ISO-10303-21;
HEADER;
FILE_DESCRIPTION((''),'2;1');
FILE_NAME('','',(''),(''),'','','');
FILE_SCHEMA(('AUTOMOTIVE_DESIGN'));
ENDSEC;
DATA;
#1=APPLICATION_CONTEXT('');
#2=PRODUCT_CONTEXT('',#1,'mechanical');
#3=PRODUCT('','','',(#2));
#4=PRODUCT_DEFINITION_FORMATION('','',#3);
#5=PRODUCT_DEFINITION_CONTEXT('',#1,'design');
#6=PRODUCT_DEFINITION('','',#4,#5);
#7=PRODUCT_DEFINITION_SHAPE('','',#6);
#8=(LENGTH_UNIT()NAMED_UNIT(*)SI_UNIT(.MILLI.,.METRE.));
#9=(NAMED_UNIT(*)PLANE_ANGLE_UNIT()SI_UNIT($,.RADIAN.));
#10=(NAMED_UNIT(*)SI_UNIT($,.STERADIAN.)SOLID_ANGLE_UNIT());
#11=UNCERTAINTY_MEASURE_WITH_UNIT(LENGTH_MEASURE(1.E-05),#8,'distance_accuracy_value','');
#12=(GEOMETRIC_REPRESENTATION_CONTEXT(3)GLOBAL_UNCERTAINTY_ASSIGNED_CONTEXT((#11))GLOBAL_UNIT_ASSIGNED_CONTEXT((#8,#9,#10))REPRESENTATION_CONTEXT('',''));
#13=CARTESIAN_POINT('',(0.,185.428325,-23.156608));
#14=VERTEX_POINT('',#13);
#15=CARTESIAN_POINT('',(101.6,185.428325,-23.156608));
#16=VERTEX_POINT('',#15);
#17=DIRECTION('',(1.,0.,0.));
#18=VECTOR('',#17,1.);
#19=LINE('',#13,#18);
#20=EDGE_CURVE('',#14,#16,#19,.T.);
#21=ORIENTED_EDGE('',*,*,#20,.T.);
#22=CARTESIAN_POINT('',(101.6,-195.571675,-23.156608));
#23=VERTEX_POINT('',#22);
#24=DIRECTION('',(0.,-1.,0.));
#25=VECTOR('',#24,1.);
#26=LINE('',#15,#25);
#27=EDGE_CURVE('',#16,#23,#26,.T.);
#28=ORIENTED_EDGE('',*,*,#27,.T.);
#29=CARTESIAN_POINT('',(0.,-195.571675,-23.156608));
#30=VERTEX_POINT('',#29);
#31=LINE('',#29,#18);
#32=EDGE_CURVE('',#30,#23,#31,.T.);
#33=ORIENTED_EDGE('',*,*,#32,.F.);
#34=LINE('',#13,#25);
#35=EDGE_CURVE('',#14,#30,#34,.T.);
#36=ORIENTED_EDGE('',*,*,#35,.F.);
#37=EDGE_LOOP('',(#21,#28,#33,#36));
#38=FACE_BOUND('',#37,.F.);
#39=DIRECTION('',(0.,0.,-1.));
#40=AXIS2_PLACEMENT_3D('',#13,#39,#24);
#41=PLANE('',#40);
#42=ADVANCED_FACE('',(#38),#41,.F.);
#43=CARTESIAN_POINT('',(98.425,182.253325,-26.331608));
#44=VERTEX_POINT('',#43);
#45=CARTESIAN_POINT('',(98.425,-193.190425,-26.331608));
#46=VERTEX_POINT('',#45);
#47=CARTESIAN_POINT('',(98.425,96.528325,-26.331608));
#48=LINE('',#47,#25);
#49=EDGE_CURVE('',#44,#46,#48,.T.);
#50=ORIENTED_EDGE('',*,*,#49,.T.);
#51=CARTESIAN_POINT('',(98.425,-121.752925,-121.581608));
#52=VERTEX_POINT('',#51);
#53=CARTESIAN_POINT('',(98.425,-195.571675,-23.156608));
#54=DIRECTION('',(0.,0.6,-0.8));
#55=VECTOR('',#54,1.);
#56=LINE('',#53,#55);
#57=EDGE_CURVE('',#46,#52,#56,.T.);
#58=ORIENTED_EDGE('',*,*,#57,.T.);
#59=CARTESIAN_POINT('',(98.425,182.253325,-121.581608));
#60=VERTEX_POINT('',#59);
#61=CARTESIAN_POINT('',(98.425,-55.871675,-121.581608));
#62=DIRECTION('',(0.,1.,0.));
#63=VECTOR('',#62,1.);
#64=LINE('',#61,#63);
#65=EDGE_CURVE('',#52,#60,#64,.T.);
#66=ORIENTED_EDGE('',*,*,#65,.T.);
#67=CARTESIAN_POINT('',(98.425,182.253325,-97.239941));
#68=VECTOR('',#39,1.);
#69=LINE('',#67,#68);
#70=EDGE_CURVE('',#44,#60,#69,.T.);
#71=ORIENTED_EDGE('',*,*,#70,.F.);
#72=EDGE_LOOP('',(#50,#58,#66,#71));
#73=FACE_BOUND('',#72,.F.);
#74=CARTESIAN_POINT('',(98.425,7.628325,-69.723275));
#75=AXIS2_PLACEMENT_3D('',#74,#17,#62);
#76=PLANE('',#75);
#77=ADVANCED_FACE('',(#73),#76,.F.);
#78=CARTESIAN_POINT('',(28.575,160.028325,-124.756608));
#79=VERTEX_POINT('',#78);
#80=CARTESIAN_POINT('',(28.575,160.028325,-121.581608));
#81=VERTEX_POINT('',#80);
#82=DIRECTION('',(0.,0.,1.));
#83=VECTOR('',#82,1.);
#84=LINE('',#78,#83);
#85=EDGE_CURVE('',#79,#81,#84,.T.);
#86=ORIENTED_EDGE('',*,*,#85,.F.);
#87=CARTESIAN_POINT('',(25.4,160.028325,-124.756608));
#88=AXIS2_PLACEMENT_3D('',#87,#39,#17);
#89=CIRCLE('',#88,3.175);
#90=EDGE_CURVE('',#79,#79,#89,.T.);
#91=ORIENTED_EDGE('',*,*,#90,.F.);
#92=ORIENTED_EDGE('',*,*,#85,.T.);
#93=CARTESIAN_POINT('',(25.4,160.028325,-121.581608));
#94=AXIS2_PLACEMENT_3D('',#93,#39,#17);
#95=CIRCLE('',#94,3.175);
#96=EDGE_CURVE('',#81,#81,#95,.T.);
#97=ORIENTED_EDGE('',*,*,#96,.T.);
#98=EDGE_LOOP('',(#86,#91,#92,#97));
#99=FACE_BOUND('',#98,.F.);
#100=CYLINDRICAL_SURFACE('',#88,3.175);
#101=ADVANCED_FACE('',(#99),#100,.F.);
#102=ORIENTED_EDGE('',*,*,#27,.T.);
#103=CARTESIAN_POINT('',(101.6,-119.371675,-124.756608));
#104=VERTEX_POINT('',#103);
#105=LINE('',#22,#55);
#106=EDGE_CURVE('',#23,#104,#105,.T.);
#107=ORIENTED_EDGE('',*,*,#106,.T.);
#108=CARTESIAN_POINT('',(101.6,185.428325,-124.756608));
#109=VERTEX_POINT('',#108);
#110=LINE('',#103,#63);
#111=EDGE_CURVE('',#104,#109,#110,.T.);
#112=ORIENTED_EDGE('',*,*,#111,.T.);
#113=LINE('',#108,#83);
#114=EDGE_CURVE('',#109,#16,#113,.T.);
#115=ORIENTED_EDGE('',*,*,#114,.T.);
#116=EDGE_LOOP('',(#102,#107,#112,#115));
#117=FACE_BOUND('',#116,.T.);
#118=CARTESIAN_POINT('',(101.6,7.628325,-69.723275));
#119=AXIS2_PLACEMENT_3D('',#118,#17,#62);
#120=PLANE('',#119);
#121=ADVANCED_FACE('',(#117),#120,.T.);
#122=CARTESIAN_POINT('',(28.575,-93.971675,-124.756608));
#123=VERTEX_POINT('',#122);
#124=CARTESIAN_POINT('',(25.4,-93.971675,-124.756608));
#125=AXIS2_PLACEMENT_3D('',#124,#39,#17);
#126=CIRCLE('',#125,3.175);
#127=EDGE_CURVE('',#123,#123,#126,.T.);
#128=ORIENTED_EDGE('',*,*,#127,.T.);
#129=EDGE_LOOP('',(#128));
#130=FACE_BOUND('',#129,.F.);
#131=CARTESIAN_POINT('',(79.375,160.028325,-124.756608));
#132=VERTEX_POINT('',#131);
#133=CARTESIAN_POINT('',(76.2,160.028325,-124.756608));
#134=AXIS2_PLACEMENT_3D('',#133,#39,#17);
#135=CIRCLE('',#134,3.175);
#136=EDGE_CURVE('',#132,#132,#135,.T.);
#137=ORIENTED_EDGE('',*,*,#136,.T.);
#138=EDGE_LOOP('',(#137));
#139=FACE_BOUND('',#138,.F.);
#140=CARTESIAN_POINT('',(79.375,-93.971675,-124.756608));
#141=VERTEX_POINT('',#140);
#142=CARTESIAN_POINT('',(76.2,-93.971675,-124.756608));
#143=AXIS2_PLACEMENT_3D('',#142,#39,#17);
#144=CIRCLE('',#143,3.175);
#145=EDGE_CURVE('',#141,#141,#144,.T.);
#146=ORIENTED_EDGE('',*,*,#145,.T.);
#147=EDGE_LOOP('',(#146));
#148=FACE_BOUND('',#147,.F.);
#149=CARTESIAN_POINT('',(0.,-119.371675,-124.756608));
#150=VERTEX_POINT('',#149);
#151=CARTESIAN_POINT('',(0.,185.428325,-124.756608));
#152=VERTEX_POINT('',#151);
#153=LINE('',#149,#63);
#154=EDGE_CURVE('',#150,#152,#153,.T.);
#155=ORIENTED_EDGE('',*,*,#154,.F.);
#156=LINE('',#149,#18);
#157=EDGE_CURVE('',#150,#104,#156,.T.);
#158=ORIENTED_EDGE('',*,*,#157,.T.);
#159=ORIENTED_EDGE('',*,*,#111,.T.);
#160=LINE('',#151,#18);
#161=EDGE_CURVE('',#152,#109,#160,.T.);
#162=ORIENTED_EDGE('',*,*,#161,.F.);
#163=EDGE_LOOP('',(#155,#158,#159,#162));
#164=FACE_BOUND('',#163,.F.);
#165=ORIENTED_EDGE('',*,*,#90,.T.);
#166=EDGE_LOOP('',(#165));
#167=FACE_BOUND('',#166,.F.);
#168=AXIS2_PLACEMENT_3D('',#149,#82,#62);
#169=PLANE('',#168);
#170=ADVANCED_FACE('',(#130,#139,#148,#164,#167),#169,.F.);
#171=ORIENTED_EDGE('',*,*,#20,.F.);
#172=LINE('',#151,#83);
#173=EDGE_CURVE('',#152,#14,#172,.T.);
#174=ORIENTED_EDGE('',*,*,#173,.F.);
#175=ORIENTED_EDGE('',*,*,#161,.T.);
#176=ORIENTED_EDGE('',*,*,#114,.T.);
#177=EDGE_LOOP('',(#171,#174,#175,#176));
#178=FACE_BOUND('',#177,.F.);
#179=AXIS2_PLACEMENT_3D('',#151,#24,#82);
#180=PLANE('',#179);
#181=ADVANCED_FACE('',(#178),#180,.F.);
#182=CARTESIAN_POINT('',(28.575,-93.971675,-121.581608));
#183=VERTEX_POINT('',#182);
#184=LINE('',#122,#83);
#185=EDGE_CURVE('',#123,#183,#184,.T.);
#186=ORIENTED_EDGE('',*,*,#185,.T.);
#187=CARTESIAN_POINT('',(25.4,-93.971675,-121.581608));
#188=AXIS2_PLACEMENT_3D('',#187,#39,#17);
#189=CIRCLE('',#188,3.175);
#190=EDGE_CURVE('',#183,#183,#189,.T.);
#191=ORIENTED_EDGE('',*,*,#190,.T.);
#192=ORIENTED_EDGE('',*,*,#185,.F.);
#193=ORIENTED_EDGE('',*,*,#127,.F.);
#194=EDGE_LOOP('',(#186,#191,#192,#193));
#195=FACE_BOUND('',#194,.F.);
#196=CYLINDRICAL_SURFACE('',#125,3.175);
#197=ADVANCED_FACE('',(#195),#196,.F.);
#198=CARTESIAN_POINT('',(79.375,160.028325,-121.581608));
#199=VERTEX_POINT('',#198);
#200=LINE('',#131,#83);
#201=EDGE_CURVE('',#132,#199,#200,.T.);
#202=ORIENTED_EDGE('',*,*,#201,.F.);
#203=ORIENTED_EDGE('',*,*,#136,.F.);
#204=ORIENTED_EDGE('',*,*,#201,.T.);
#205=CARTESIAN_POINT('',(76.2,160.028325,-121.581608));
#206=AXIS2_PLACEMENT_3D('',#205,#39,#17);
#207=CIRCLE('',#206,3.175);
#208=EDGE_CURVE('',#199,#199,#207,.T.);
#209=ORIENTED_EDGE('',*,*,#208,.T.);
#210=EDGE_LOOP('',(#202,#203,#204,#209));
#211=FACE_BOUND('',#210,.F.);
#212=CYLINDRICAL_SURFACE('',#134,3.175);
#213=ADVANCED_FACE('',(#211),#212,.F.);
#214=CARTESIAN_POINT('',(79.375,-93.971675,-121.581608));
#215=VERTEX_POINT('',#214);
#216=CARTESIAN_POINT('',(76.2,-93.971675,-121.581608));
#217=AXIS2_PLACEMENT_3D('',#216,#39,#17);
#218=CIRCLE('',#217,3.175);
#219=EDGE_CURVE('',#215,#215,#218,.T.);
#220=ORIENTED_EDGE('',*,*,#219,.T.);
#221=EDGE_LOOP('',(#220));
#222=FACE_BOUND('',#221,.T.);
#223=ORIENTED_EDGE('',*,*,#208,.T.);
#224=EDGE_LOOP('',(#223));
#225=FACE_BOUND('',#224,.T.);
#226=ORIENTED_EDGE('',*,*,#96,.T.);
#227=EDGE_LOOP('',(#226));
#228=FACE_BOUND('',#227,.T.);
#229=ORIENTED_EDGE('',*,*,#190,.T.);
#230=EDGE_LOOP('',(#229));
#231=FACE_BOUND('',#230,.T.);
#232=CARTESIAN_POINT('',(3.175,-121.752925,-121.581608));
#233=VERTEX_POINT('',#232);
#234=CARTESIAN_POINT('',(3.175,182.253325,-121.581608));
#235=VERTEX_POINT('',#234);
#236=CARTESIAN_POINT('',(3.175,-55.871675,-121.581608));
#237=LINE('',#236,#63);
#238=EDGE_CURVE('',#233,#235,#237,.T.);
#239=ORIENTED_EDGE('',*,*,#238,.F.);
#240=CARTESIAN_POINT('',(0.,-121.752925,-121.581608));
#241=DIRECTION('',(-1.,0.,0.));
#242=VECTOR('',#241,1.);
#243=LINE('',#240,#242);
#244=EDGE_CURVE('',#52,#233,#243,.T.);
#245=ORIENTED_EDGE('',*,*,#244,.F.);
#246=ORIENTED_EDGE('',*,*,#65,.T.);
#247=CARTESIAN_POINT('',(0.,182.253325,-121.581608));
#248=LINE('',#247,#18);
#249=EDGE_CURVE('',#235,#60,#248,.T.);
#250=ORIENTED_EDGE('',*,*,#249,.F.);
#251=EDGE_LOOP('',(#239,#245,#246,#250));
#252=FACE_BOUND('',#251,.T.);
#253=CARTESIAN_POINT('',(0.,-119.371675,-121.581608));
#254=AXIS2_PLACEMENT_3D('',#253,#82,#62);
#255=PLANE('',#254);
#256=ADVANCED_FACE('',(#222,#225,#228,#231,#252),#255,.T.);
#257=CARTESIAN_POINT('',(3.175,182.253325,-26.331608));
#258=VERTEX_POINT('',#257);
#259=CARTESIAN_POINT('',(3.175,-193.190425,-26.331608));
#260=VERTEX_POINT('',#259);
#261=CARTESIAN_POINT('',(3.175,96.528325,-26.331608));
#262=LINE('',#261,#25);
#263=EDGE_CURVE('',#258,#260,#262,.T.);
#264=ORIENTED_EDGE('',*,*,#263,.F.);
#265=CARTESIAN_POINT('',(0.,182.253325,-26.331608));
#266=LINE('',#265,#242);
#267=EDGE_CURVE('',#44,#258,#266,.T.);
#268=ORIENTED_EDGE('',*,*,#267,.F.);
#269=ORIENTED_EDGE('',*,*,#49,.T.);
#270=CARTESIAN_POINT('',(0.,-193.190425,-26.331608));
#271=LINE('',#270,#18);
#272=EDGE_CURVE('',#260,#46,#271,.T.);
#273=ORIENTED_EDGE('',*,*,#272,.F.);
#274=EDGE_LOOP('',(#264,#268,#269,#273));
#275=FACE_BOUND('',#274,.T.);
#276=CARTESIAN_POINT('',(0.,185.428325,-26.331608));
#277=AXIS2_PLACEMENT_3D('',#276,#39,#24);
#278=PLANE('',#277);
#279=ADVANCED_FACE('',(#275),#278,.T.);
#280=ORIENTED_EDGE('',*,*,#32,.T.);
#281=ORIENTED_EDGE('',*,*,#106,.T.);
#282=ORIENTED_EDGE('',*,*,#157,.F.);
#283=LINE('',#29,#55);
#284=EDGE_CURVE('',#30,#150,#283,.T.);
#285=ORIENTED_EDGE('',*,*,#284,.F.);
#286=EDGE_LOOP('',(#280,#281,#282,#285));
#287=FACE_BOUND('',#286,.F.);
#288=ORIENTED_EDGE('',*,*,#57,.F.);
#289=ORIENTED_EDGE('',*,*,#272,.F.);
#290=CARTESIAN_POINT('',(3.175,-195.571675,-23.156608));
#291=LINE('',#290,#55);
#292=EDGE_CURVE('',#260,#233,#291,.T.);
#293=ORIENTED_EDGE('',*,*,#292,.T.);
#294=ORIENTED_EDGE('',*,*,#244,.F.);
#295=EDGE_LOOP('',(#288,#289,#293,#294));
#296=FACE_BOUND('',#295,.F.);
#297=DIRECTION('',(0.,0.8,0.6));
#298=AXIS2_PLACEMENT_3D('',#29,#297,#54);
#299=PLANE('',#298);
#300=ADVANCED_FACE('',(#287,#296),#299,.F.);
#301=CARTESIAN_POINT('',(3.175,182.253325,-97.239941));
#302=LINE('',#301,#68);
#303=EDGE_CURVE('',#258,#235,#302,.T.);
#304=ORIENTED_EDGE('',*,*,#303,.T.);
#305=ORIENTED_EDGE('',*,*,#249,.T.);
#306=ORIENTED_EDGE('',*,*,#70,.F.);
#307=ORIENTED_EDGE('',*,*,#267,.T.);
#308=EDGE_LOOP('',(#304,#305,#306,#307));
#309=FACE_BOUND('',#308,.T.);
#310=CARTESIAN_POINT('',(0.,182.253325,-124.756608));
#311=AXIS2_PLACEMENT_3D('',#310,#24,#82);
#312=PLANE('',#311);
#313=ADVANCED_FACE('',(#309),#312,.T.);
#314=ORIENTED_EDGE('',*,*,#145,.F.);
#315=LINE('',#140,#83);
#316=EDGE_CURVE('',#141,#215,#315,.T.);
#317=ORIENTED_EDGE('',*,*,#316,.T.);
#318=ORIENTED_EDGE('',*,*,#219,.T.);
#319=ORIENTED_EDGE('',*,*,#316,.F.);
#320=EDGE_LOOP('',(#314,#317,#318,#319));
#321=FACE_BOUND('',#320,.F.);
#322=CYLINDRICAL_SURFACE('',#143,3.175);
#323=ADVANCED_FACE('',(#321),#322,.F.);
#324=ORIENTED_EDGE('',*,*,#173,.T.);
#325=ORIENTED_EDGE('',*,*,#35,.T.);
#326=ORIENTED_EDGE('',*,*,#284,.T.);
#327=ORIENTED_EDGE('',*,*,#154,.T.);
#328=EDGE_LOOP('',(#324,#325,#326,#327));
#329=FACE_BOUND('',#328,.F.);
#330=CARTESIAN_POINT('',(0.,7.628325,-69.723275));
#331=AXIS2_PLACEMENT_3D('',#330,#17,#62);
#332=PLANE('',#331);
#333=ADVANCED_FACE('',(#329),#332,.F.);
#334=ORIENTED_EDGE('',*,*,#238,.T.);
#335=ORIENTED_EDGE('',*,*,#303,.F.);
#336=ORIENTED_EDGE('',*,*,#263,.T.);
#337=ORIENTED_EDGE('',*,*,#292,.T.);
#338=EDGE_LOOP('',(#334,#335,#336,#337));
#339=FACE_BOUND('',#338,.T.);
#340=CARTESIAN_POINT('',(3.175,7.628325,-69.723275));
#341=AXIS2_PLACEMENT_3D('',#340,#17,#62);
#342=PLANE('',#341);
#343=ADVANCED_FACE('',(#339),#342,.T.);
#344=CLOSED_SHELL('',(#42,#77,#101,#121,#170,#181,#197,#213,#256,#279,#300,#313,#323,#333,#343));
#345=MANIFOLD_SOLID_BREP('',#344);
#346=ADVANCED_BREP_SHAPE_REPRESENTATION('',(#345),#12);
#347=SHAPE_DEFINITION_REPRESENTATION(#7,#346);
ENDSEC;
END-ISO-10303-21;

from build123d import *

# Parameters (mm, degrees)
F1_DEPTH = 101.6
F2_T     = -3.175
F3_R     = 3.175
F4_DEPTH = 25.4


with BuildPart() as f1:
    # F0 (on Right) → F1 (new body)
    with BuildSketch(Plane.YZ):
        Polygon((185.428325, -23.156608), (-195.571675, -23.156608), (-119.371675, -124.756608), (185.428325, -124.756608), align=None)
    extrude(amount=F1_DEPTH)

    # F2
    f2_openings = [f1.faces().sort_by_distance(p)[0] for p in [
        (50.8, -157.471675, -73.956608),
    ]]
    offset(amount=F2_T, openings=f2_openings)

    # F3 (on face) → F4 (cut)
    with BuildSketch(Plane(origin=(0, 0, -124.756608), x_dir=(1, 0, 0), z_dir=(0, 0, -1))):
        with Locations((25.4, 93.971675)):
            Circle(F3_R)
        with Locations((76.2, 93.971675)):
            Circle(F3_R)
        with Locations((25.4, -160.028325)):
            Circle(F3_R)
        with Locations((76.2, -160.028325)):
            Circle(F3_R)
    extrude(amount=-F4_DEPTH, mode=Mode.SUBTRACT)


solid = f1.part
